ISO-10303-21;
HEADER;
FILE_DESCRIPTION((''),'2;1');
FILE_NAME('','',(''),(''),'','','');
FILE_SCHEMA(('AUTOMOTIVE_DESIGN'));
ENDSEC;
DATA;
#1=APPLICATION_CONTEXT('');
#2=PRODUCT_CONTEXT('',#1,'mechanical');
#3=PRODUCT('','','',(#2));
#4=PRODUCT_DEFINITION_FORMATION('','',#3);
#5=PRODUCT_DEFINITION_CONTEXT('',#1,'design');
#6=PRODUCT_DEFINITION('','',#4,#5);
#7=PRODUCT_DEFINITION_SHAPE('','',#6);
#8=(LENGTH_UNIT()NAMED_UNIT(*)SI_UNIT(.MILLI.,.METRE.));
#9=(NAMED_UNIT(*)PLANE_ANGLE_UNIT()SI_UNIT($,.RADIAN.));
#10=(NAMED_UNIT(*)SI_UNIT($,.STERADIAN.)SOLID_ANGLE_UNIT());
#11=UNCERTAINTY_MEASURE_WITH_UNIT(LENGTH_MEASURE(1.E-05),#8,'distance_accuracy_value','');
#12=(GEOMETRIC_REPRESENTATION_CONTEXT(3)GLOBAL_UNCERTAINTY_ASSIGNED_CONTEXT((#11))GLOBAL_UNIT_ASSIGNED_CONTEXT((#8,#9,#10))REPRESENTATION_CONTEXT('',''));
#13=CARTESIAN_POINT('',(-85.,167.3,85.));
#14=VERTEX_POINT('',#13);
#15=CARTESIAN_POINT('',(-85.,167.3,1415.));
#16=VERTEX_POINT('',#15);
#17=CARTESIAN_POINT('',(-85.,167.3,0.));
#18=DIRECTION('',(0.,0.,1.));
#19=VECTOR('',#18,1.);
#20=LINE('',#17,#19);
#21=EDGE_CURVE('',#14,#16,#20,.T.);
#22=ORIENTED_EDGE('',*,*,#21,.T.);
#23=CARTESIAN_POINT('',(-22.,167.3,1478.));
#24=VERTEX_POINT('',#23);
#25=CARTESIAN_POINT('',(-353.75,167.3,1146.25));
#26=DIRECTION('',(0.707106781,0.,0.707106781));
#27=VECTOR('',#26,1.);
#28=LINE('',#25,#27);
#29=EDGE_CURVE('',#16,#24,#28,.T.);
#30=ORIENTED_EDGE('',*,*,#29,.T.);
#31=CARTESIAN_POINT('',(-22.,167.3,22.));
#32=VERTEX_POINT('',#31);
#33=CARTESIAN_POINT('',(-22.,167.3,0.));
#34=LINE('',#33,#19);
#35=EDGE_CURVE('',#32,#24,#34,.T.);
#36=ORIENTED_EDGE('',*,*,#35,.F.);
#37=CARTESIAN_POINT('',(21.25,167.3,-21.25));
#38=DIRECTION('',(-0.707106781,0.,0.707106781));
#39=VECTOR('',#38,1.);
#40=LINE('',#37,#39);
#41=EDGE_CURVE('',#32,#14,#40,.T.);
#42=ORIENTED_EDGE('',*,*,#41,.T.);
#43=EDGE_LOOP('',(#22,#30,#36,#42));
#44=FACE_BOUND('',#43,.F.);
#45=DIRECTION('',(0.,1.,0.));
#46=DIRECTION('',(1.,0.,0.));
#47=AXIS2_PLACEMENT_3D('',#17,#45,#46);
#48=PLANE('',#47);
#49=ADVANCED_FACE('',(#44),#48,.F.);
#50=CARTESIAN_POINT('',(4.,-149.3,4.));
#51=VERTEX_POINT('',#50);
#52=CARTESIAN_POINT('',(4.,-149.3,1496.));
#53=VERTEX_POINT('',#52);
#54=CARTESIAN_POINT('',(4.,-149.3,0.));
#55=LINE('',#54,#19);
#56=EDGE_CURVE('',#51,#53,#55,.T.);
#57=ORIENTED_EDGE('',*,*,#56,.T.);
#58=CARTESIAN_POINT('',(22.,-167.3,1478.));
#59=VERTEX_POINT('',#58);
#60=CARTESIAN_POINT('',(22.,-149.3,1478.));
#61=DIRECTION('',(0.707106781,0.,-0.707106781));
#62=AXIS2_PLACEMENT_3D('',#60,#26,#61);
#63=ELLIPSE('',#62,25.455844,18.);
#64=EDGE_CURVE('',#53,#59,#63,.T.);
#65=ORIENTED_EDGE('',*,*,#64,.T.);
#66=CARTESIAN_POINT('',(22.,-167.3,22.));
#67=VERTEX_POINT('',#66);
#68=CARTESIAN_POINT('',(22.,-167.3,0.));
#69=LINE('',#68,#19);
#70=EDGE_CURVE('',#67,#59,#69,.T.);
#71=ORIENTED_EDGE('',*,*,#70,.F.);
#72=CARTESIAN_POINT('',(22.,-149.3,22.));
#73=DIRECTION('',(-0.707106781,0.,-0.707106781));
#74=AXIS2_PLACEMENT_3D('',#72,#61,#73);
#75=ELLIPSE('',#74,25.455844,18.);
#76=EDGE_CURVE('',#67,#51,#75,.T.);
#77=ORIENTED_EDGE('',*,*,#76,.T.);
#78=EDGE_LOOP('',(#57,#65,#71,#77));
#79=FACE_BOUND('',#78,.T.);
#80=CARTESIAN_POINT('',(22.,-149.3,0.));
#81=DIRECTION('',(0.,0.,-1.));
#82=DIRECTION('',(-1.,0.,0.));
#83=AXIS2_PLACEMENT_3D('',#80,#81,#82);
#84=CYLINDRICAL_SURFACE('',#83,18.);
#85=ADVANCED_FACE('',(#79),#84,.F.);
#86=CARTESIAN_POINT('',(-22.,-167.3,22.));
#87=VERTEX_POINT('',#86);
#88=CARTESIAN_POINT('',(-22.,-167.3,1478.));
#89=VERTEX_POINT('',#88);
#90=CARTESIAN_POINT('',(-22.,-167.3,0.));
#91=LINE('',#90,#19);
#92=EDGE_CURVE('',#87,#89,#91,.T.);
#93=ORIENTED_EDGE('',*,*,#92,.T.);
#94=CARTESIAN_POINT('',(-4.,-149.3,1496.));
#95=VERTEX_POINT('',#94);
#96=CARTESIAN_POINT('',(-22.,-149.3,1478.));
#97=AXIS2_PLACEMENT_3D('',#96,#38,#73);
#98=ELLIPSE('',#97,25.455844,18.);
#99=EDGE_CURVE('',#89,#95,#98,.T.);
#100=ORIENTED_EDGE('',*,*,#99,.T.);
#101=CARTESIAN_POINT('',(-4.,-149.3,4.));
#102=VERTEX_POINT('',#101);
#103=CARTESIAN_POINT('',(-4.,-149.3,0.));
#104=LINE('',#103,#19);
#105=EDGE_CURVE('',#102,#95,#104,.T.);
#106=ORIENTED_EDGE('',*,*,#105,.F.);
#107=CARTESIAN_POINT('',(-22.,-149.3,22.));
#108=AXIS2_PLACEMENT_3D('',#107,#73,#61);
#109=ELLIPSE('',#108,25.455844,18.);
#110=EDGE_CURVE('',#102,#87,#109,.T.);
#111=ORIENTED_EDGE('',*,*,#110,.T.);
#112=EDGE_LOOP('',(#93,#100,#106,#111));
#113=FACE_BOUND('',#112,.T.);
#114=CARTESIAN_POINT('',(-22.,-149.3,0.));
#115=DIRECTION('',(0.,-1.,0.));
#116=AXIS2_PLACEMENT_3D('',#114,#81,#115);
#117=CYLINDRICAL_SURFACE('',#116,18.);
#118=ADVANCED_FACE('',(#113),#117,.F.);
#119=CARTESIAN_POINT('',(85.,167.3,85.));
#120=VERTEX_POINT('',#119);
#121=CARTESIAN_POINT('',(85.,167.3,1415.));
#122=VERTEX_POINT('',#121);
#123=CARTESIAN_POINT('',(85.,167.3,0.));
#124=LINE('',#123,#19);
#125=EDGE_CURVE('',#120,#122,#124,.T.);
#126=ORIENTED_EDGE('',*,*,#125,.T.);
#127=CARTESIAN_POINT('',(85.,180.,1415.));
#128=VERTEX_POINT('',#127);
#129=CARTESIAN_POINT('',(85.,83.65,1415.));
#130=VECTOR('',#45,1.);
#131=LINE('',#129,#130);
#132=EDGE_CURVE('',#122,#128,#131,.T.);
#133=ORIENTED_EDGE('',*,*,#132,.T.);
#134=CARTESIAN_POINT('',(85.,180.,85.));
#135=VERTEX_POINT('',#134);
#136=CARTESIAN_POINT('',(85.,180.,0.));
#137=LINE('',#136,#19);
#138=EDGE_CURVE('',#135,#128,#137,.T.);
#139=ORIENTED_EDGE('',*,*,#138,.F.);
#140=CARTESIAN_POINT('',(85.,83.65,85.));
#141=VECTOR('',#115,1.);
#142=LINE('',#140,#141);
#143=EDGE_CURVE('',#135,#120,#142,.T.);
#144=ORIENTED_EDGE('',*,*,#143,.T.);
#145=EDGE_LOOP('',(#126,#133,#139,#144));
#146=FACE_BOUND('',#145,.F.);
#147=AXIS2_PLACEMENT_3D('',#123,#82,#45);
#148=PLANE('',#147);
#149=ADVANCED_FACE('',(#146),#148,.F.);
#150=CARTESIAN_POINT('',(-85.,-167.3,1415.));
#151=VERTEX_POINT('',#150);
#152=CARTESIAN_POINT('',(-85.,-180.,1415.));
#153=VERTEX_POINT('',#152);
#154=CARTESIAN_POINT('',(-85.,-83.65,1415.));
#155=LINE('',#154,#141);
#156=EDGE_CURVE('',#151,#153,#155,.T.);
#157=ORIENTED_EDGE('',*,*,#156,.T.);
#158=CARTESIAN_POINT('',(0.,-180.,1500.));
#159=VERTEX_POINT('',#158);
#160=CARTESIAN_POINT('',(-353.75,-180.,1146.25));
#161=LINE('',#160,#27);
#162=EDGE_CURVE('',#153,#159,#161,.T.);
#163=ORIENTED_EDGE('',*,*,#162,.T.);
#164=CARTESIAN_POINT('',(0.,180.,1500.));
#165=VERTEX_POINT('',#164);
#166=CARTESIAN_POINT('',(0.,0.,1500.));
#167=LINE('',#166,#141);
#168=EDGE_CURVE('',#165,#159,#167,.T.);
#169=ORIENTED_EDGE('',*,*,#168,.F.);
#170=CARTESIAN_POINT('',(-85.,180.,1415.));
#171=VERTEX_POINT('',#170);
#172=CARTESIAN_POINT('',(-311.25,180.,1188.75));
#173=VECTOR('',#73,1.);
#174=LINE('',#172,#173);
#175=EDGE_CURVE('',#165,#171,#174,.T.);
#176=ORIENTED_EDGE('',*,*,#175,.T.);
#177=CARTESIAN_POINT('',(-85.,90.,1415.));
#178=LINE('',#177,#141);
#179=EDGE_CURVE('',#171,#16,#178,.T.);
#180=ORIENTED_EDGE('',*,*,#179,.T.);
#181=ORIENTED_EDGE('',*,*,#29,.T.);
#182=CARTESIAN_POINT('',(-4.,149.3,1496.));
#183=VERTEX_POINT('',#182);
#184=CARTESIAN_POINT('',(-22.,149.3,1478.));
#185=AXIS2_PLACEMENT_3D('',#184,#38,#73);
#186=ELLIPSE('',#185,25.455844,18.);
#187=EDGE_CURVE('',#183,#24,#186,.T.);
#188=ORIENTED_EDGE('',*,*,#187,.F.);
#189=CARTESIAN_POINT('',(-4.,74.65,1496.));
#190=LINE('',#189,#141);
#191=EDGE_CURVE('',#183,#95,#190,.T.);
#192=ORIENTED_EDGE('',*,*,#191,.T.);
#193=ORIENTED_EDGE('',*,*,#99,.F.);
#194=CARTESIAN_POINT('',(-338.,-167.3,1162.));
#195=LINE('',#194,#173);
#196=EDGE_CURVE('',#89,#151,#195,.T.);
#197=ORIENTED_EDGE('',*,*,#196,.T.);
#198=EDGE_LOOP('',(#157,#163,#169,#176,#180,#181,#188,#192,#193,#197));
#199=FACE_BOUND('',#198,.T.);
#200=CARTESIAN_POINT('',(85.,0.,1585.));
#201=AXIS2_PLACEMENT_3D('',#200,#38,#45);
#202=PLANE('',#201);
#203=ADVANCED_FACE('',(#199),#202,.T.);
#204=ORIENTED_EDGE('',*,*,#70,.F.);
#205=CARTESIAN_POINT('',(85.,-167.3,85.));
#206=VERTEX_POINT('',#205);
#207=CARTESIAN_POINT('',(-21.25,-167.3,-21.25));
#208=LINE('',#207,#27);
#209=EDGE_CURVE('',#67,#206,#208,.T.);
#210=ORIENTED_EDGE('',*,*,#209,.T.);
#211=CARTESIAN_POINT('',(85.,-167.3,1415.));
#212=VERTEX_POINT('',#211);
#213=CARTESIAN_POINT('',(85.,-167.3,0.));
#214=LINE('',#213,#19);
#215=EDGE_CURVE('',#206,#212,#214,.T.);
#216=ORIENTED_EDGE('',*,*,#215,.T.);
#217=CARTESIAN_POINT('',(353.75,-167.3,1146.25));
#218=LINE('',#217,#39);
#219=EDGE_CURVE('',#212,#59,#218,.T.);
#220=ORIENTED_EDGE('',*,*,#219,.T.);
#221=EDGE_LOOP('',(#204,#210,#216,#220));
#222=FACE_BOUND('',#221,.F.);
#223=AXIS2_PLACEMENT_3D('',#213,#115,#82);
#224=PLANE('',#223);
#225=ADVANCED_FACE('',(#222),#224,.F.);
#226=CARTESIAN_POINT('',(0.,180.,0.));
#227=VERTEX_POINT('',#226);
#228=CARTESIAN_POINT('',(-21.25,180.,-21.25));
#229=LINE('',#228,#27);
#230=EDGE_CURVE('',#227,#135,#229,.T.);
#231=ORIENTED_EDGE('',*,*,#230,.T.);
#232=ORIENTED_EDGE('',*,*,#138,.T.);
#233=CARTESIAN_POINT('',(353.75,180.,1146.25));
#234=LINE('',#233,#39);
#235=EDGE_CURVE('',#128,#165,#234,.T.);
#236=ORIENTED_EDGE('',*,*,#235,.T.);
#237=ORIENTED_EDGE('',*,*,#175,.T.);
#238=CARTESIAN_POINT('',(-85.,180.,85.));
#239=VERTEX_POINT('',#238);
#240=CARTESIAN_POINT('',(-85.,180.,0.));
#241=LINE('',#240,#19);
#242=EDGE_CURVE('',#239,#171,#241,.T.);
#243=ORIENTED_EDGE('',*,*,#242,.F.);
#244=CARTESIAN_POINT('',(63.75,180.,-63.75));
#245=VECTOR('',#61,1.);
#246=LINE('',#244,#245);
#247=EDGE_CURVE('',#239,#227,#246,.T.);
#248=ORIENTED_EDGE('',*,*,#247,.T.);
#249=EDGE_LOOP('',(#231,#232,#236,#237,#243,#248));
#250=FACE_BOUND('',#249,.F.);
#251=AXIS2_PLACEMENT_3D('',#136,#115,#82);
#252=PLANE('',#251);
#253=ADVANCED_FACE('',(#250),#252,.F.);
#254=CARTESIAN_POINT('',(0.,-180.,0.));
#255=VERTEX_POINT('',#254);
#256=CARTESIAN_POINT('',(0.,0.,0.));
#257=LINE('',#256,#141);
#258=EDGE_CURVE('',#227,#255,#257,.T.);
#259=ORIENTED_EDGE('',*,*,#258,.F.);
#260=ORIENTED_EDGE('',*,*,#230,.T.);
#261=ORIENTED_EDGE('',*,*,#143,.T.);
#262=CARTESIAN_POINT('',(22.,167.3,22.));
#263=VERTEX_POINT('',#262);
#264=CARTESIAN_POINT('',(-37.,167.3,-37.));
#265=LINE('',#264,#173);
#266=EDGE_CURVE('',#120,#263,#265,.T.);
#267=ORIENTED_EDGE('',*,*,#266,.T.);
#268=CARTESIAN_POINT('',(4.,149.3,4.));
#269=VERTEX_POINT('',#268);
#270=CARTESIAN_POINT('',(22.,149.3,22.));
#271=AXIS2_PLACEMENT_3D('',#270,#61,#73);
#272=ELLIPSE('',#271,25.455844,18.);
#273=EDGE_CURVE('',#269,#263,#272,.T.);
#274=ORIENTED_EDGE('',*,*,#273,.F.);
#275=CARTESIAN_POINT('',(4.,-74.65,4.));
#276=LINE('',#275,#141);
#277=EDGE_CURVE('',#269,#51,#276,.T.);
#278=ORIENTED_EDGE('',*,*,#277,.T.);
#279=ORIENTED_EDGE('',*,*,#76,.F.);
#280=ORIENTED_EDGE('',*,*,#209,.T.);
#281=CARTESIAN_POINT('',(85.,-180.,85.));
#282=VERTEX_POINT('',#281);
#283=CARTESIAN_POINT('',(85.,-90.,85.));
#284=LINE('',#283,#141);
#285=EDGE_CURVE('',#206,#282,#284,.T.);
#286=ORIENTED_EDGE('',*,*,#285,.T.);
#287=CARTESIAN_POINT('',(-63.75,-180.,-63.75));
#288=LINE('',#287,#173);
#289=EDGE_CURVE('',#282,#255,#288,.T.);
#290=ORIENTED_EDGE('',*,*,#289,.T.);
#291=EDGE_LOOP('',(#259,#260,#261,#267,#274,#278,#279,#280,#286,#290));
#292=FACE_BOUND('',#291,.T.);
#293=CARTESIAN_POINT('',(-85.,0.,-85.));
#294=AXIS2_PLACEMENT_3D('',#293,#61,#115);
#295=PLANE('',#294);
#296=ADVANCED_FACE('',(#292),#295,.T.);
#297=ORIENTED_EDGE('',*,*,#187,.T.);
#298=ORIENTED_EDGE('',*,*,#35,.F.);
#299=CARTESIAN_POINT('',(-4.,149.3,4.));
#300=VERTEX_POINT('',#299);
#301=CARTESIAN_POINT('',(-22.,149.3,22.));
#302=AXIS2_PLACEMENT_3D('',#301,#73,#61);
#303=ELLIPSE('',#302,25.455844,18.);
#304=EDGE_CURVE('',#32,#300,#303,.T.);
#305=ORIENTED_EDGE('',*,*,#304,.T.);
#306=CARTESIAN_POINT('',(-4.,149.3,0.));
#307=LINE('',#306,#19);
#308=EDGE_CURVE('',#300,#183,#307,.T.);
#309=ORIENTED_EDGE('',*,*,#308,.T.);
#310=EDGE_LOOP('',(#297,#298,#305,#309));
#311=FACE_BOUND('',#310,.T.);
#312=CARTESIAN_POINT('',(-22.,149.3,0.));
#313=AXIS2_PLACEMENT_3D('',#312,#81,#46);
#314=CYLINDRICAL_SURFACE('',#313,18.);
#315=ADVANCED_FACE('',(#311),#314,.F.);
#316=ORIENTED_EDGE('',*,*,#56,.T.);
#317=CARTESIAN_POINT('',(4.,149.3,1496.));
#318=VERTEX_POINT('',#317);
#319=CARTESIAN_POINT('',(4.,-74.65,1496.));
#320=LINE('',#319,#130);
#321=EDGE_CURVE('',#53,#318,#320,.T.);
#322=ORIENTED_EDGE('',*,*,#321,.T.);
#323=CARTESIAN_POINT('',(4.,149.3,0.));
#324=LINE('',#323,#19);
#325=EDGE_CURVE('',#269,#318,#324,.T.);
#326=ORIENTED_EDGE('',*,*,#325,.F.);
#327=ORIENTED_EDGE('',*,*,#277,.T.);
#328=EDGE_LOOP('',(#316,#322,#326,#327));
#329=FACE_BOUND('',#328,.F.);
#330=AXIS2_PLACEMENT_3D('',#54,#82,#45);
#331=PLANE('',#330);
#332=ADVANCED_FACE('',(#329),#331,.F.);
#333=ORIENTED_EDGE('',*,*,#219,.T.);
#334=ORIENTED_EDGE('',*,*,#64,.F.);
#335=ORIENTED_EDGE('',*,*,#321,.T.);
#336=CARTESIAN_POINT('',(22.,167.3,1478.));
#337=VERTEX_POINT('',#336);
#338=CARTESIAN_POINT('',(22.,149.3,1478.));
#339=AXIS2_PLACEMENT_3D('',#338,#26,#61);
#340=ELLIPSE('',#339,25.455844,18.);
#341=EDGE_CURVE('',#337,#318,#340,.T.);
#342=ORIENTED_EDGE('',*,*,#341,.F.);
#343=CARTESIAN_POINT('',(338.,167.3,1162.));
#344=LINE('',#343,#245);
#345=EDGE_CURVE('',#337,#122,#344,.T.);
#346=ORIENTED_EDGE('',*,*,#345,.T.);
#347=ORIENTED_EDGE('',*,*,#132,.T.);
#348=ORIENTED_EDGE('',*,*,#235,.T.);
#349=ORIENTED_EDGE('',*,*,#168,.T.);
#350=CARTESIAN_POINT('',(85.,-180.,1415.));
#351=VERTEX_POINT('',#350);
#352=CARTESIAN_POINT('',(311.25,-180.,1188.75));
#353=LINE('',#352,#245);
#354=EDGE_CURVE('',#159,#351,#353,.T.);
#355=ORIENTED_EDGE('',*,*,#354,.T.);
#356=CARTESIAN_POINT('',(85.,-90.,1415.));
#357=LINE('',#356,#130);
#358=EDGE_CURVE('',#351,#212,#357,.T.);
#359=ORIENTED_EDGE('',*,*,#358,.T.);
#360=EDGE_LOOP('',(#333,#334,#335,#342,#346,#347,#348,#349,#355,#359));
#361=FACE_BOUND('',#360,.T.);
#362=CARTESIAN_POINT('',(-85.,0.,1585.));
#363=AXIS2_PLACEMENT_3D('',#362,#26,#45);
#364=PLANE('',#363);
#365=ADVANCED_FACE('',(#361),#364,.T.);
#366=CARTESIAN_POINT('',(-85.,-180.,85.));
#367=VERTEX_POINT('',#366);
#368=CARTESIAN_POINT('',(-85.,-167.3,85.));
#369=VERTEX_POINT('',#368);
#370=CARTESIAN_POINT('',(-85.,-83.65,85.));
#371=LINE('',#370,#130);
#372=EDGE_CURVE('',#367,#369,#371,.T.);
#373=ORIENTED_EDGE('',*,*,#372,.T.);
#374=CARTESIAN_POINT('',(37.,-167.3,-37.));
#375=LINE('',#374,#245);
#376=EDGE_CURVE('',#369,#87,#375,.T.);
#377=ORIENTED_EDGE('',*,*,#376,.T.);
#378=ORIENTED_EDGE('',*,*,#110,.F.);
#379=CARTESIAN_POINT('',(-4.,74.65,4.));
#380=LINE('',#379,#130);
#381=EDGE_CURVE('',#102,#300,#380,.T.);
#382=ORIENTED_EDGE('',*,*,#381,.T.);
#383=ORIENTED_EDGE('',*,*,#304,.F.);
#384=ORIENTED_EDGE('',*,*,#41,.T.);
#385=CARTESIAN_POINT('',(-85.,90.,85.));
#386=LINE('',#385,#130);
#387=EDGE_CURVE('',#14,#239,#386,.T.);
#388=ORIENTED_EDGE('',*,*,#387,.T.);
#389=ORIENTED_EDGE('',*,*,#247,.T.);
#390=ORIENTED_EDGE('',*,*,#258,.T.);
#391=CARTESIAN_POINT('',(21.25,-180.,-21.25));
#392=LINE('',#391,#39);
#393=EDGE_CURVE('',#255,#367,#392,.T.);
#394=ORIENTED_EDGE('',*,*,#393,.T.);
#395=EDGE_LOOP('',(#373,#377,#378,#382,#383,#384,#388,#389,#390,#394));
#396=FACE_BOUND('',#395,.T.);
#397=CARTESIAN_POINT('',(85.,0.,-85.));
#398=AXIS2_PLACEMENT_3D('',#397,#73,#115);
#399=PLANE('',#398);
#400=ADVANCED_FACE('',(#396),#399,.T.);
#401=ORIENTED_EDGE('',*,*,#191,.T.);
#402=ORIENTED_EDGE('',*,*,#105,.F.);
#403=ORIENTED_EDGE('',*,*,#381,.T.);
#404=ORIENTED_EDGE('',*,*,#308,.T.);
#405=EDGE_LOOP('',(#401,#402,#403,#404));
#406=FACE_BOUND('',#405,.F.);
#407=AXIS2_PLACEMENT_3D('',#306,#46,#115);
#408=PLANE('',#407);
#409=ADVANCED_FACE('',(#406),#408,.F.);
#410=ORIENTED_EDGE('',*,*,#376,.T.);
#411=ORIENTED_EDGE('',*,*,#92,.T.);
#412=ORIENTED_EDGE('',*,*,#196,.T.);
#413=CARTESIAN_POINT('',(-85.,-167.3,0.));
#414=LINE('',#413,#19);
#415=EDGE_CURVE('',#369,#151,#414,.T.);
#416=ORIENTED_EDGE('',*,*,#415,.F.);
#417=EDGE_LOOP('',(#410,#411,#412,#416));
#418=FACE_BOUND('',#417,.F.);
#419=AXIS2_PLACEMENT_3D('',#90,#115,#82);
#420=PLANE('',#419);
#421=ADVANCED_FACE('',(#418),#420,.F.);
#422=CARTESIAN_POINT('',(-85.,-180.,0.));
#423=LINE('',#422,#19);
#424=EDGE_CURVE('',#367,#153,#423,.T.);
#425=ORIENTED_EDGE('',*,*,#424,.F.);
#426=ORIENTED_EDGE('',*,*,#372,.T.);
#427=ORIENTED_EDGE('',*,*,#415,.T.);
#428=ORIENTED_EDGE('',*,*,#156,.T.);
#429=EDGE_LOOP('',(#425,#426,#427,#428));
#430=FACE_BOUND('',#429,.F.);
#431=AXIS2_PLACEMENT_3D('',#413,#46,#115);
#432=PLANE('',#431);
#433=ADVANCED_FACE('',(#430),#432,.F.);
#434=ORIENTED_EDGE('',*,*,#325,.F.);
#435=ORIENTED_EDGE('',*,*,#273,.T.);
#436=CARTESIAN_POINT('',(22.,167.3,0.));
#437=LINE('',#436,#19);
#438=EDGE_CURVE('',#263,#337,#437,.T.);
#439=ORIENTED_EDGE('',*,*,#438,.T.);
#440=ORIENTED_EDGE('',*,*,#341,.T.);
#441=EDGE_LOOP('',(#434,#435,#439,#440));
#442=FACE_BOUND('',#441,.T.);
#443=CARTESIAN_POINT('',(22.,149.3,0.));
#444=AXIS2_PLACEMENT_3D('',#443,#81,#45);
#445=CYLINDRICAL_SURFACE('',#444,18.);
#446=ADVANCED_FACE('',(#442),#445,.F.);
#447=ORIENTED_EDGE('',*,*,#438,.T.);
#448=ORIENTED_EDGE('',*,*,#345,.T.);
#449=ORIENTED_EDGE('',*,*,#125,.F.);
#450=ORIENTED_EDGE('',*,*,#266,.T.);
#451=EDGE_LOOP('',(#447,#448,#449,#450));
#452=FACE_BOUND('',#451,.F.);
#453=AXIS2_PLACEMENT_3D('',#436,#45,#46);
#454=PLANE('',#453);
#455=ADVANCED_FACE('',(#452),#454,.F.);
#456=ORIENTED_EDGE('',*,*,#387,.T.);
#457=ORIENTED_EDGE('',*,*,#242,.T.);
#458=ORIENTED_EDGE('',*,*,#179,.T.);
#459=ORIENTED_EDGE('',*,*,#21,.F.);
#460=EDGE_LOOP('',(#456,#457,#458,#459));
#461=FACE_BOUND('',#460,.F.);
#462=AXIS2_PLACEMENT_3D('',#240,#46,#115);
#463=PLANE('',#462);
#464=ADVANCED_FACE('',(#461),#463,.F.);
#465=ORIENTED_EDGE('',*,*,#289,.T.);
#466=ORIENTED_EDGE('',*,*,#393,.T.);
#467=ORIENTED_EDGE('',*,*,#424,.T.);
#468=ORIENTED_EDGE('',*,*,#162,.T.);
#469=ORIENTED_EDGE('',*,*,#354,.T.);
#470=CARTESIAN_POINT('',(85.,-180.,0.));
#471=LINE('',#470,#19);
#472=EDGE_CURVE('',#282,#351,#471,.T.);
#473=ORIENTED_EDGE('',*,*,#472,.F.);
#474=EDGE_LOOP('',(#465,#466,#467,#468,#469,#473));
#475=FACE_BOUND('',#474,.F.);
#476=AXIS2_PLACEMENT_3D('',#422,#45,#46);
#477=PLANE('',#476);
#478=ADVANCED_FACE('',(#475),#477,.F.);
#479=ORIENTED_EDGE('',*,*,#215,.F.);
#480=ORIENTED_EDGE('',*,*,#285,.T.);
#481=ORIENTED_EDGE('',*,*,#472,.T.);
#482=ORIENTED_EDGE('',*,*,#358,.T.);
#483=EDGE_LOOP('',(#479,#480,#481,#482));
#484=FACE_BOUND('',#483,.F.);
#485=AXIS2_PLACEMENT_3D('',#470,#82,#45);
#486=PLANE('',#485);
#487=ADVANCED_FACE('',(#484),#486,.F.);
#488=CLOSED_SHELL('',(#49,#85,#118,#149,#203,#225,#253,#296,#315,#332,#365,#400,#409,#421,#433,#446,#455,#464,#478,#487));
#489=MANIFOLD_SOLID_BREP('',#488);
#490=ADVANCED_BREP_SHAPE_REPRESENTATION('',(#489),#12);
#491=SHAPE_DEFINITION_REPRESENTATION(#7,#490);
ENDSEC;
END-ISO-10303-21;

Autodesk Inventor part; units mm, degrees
ref_plane "Start Plane" through (0, 0, 0) normal (0, 0, 1) x (1, 0, 0)
ref_plane "End Plane" through (0, 0, 1500) normal (0, 0, 1) x (1, 0, 0)
sketch "Sketch" plane through (0, 0, 0) normal (0, 0, 1) x (1, 0, 0)
  line L0 (-85, 167.3) -> (-22, 167.3)
  line L1 (-85, 180) -> (-85, 167.3)
  line L2 (85, 180) -> (-85, 180)
  line L3 (85, 167.3) -> (85, 180)
  line L4 (22, 167.3) -> (85, 167.3)
  line L5 (4, -149.3) -> (4, 149.3)
  line L6 (85, -167.3) -> (22, -167.3)
  line L7 (85, -180) -> (85, -167.3)
  line L8 (-85, -167.3) -> (-85, -180)
  line L9 (-22, -167.3) -> (-85, -167.3)
  line L10 (-4, 149.3) -> (-4, -149.3)
  line L11 (0, -252) -> (0, 252) construction
  line L12 (-4, -167.3) -> (4, -167.3) construction
  arc A0 (-22, -167.3) -> (-4, -149.3) centre (-22, -149.3) ccw
  arc A1 (-4, 149.3) -> (-22, 167.3) centre (-22, 149.3) ccw
  arc A2 (22, 167.3) -> (4, 149.3) centre (22, 149.3) ccw
  arc A3 (4, -149.3) -> (22, -167.3) centre (22, -149.3) ccw
  line L13 (-119, 0) -> (119, 0) construction
  line L14 (-85, -180) -> (85, -180)
  point P0 (-4, 167.3)
  point P1 (4, 167.3)
  point P2 (0, 0)
  point P3 (0, -167.3)
  point P4 (0, 0)
  dimension "d1" = 360
  dimension "d3" = 12.7
  dimension "d5" = 8
  dimension "d7" = 170
  dimension "d13" = 18
  dimension "d14" = 180
  dimension "d15" = 85
extrude "Body" add sketch "Sketch" along normal up to surface (1500 mm away) from surface at 0
sketch "Sketch3" plane through (0, 0, 0) normal (0, 0, 1) x (1, 0, 0)
  line L0 (0, 0) -> (10, 0)
ref_plane "Work Plane3" through (0, 0, 0) normal (0, -1, 0) x (1, 0, 0)
ref_plane "Work Plane4" through (85, 0, -85) normal (-0.7071, 0, -0.7071) x (-0.7071, 0, 0.7071)
split "Split1" plane through (85, 0, -85) removes the side toward (-0.7071, 0, -0.7071)
ref_plane "Work Plane5" through (85, 0, 1585) normal (-0.7071, 0, 0.7071) x (0.7071, 0, 0.7071)
split "Split2" plane through (85, 0, 1585) removes the side toward (-0.7071, 0, 0.7071)
ref_plane "Work Plane6" through (-85, 0, -85) normal (0.7071, 0, -0.7071) x (-0.7071, 0, -0.7071)
split "Split3" plane through (-85, 0, -85) removes the side toward (0.7071, 0, -0.7071)
ref_plane "Work Plane7" through (-85, 0, 1585) normal (0.7071, 0, 0.7071) x (0.7071, 0, -0.7071)
split "Split4" plane through (-85, 0, 1585) removes the side toward (0.7071, 0, 0.7071)
sketch "Sketch4" plane through (0, 0, 0) normal (0, -1, 0) x (1, 0, 0)
  line L0 (-2, 0) -> (12, 0) projected
  line L1 (-2, 1500) -> (12, 1500) projected
  dimension "d19" = 1500
equation "\"d1\" = ParH"
equation "\"d3\" = t2"
equation "\"d5\" = t1"
equation "\"d7\" = b"
equation "\"d13\" = R1"
equation "\"d14\" = 0.5 * d1"
equation "\"d15\" = 0.5 * d7"
equation "\"d8\" = G_L"
equation "\"b\" = 170"
equation "\"ParH\" = 360"
equation "\"R1\" = 18"
equation "\"G_L\" = d19"
equation "\"t1\" = 8"
equation "\"t2\" = 12.7"
equation "\"G_OFFSET_START\" = 0"
equation "\"G_OFFSET_END\" = 0"
properties part number "DIN 1025 - IPE 360-1500" material "Steel, Mild"
